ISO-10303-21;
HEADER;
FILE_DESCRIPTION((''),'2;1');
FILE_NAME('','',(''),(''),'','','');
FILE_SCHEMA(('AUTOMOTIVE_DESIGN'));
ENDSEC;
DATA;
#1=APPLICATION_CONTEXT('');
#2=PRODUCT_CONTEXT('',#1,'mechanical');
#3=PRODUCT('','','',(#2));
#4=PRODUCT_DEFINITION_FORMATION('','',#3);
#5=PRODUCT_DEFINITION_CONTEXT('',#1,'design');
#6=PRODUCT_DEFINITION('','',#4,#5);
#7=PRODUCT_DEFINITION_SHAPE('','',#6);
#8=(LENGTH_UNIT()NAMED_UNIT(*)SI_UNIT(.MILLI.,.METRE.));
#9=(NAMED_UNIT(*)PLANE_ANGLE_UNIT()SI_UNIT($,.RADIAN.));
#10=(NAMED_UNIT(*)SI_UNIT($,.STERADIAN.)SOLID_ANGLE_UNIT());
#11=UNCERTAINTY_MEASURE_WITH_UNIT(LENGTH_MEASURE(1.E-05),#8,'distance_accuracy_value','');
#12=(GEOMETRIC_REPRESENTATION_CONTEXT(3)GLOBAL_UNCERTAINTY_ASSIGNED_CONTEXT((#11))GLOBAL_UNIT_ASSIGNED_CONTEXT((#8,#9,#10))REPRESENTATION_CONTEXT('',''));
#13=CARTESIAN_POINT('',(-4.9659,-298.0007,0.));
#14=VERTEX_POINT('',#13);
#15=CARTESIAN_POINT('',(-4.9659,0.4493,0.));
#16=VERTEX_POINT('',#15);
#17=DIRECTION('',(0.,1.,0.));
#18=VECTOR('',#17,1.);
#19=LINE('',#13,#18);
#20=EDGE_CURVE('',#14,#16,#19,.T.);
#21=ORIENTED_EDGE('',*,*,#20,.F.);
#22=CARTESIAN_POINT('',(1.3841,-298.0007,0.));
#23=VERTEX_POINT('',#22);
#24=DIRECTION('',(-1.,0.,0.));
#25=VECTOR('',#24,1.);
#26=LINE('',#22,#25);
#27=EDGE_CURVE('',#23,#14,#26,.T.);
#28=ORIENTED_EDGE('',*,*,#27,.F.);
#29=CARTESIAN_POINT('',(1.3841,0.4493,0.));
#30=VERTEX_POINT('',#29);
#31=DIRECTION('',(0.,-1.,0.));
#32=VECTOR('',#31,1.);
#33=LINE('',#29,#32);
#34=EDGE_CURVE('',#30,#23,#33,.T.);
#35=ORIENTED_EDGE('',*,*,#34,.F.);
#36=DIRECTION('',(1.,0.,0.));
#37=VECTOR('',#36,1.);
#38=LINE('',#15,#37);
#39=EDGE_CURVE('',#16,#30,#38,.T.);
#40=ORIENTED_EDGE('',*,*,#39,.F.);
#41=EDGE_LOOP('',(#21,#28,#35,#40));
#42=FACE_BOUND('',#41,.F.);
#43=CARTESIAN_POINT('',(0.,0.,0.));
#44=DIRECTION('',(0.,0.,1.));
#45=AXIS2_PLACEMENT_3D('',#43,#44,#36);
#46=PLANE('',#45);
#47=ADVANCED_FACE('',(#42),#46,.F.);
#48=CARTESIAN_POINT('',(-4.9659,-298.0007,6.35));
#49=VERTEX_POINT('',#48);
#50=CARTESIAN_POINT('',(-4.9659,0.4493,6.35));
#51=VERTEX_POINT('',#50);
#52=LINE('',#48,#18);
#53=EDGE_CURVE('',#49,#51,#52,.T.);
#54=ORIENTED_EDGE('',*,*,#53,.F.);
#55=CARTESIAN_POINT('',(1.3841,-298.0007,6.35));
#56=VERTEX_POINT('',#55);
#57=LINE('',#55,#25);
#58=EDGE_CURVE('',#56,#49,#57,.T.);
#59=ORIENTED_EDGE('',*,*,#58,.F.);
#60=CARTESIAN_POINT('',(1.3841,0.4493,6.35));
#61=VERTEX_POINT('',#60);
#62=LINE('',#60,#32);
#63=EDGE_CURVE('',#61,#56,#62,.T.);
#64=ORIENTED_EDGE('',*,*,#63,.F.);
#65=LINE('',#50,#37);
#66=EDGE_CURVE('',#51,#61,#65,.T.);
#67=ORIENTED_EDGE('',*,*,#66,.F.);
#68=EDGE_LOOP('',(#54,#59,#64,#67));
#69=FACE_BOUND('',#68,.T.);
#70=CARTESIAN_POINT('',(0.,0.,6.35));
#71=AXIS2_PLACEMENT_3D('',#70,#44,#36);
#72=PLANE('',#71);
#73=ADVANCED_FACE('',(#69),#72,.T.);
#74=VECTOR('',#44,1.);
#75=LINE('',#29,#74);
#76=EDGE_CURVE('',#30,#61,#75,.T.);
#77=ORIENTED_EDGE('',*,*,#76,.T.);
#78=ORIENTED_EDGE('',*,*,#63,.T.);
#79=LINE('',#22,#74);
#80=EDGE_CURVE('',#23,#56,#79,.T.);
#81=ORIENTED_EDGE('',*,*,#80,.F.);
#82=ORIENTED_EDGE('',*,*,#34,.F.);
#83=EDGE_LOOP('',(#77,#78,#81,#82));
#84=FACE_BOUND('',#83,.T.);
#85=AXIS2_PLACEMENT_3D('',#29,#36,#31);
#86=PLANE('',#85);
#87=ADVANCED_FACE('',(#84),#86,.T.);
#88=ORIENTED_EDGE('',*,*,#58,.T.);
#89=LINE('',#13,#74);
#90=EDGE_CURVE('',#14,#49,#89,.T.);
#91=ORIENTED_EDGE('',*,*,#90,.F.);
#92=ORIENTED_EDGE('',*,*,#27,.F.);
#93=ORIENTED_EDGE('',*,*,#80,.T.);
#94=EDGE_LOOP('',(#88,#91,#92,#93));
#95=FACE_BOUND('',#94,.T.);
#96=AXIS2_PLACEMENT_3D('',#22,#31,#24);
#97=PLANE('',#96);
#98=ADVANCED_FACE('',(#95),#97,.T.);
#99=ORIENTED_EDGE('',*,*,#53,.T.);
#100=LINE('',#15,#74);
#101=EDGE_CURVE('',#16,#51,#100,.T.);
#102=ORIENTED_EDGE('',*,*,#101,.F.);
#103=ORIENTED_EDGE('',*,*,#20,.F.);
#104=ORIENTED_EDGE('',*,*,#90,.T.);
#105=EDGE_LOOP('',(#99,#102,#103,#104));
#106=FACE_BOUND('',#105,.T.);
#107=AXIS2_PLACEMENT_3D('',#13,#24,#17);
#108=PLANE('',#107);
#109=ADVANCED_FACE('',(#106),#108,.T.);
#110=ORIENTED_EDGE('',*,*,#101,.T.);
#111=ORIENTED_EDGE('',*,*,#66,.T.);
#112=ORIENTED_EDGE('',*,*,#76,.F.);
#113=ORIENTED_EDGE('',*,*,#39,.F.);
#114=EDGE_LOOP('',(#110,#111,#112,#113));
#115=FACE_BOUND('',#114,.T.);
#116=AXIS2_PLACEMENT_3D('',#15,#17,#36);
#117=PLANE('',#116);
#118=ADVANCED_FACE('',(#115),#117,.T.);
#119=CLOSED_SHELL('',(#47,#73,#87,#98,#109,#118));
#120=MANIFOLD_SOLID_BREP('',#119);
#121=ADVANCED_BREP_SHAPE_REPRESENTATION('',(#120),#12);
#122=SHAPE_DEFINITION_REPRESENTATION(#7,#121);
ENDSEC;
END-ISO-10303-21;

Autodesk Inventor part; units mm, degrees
ref_plane "YZ Plane" through (0, 0, 0) normal (1, 0, 0) x (0, 1, 0)
ref_plane "XZ Plane" through (0, 0, 0) normal (0, 1, 0) x (-1, 0, 0)
ref_plane "XY Plane" through (0, 0, 0) normal (0, 0, 1) x (1, 0, 0)
sketch "Sketch1" plane through (0, 0, 0) normal (0, 0, 1) x (1, 0, 0)
  line L0 (-4.9659, 0.4493) -> (1.3841, 0.4493)
  line L1 (1.3841, 0.4493) -> (1.3841, -298.0007)
  line L2 (1.3841, -298.0007) -> (-4.9659, -298.0007)
  line L3 (-4.9659, -298.0007) -> (-4.9659, 0.4493)
  point P0 (0, 0)
  dimension "d0" = 6.35
  dimension "d1" = 298.45
extrude "Extrusion1" add sketch "Sketch1" along normal blind 6.35
properties part number "Glue-on .25in post to make up for our mistake"
